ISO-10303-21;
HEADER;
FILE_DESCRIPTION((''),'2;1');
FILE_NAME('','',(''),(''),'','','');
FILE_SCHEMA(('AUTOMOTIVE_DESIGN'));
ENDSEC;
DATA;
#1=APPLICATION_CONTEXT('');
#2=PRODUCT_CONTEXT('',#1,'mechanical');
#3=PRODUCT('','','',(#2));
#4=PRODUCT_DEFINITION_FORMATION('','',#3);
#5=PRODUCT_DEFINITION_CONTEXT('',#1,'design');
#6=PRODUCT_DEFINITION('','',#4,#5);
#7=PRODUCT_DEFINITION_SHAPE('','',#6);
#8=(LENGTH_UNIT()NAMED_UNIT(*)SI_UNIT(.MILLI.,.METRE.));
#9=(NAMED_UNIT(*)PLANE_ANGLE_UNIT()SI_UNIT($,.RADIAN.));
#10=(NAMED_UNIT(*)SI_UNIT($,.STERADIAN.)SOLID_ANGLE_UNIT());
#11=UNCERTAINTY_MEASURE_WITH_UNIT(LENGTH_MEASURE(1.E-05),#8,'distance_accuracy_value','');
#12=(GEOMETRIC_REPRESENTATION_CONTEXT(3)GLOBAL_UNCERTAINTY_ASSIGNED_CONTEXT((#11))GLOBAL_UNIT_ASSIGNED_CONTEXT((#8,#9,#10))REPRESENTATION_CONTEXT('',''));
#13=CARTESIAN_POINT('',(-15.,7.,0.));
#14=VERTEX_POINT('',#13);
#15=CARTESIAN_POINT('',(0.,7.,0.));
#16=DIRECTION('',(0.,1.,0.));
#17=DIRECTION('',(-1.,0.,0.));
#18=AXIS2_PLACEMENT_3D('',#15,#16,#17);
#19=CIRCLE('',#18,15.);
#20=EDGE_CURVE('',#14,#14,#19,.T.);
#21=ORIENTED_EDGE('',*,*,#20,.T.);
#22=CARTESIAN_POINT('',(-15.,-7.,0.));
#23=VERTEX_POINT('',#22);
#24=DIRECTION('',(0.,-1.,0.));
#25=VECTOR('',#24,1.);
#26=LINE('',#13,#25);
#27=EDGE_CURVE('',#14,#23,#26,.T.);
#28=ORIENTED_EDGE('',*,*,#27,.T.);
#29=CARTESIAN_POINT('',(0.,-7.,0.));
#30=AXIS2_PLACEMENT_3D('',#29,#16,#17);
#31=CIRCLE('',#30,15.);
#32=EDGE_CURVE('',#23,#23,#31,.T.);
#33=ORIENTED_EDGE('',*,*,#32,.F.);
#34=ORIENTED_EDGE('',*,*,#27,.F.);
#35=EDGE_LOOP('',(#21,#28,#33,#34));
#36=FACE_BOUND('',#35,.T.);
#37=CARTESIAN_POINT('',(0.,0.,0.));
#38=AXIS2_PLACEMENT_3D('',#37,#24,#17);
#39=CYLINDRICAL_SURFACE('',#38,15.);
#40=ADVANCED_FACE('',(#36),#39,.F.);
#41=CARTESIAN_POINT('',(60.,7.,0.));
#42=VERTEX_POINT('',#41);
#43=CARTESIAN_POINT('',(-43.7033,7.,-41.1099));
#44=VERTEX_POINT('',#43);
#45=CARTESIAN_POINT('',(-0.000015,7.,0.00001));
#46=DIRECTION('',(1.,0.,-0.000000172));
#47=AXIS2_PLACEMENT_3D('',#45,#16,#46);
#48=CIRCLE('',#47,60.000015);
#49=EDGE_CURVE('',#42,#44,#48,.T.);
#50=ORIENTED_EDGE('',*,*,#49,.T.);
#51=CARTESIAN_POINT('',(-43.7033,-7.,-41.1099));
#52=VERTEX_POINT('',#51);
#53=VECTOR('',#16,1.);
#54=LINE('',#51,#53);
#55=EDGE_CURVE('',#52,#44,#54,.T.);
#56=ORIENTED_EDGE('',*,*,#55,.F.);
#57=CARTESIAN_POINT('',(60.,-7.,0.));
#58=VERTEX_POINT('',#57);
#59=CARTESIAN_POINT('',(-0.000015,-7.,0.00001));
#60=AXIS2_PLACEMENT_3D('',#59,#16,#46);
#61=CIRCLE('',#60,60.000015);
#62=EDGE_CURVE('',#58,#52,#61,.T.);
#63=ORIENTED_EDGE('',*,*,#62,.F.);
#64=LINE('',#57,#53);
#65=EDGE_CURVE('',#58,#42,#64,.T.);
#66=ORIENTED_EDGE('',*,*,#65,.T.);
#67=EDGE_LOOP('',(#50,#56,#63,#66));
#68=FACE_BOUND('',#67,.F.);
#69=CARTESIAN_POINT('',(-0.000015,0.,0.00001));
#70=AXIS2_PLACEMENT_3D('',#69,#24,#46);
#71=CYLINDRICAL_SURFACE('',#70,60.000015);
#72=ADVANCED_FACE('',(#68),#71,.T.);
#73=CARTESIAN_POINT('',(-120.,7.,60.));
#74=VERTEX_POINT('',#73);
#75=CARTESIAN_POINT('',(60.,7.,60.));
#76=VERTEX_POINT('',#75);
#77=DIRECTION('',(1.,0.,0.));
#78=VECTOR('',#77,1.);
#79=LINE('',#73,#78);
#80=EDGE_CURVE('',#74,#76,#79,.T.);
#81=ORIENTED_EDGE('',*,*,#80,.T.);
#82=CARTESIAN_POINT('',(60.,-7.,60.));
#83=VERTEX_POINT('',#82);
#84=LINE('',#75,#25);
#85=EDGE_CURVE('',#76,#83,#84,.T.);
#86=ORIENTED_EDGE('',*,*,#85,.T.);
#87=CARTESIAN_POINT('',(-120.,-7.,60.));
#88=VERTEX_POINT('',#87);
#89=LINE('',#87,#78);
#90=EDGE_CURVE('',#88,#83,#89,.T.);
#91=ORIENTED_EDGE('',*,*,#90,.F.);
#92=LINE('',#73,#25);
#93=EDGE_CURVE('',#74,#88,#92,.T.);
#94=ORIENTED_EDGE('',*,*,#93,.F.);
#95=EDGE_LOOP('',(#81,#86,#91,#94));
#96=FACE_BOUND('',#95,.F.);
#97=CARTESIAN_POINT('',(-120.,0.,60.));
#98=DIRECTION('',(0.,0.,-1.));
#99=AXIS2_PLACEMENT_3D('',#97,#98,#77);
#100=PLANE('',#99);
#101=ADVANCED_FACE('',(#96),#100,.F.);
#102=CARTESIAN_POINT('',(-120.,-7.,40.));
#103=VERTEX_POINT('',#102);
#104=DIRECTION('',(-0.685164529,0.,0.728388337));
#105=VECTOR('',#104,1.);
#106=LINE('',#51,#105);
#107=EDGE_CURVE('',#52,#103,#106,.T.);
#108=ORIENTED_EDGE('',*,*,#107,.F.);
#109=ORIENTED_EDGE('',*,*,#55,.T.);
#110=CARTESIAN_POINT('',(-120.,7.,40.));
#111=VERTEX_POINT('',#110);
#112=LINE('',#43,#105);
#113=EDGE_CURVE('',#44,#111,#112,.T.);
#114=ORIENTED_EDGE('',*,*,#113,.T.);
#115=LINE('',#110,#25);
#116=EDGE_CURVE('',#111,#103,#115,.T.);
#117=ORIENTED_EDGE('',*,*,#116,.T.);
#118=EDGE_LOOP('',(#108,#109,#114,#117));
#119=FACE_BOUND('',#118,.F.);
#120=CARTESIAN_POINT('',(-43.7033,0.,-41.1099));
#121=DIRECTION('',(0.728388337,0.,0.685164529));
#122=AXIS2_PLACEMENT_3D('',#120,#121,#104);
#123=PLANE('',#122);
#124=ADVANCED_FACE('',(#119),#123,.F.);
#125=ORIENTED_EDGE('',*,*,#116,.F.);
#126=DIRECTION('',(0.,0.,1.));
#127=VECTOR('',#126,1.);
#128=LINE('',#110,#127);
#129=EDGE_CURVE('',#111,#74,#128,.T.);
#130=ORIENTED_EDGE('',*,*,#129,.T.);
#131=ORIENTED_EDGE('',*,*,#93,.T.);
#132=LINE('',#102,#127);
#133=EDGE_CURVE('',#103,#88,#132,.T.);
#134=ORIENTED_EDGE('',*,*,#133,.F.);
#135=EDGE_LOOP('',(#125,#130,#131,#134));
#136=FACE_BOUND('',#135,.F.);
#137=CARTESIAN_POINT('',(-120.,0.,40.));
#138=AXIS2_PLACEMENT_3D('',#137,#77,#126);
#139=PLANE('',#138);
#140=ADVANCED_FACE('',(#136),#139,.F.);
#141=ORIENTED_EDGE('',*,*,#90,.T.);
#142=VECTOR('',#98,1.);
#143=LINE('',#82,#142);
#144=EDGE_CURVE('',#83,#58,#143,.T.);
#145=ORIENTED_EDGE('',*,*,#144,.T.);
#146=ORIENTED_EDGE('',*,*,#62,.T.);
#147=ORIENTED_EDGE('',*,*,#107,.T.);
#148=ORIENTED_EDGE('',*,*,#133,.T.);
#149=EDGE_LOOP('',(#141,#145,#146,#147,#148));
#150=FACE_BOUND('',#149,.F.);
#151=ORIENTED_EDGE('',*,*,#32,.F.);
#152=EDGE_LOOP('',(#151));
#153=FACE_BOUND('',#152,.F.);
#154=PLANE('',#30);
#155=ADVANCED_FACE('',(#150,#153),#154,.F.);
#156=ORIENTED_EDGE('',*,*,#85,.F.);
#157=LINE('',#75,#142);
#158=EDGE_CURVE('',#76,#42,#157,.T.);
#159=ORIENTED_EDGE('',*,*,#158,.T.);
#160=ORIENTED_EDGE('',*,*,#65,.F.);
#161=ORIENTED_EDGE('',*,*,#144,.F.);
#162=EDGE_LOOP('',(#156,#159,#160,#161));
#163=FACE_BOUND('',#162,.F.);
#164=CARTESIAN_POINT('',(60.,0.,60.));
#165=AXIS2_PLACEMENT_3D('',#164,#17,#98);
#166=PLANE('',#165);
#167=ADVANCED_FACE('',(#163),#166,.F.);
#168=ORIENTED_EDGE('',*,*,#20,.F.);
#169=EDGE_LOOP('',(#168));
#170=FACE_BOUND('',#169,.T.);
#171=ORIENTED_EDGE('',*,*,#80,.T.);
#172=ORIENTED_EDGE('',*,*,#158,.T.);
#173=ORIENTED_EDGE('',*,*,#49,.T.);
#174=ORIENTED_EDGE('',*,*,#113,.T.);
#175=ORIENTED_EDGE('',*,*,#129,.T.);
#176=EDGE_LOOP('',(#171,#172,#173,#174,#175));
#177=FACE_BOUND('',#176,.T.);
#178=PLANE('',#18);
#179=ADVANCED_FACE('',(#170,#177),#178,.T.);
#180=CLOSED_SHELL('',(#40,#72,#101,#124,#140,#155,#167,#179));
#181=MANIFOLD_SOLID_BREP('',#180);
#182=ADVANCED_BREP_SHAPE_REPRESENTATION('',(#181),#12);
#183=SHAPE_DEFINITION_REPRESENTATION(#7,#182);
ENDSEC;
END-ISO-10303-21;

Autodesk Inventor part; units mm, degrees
ref_plane "YZ Plane" through (0, 0, 0) normal (1, 0, 0) x (0, 1, 0)
ref_plane "XZ Plane" through (0, 0, 0) normal (0, 1, 0) x (-1, 0, 0)
ref_plane "XY Plane" through (0, 0, 0) normal (0, 0, 1) x (1, 0, 0)
sketch "Boceto2" plane through (0, 0, 0) normal (0, 1, 0) x (-1, 0, 0)
  circle A0 centre (0, 0) radius 15
  arc A1 (-60, 0) -> (43.7033, -41.1099) centre (0, 0) ccw
  line L0 (43.7033, -41.1099) -> (120, 40)
  line L1 (120, 40) -> (120, 60)
  line L2 (120, 60) -> (-60, 60)
  line L3 (-60, 60) -> (-60, 0)
  line L4 (0, 0) -> (43.7033, -41.1099) construction
  line L5 (0, 0) -> (-60, 0) construction
  dimension "d7" = 60
  dimension "d8" = 20
  dimension "d9" = 60
  dimension "d10" = 180
  dimension "d11" = 30
extrude "Placa2" add sketch "Boceto2" along normal mid plane 14
equation "\"d7\" = h_"
equation "\"d8\" = b"
equation "\"d9\" = r"
equation "\"d10\" = L"
equation "\"d11\" = hole"
equation "\"d12\" = Grosor"
equation "\"Grosor\" = epl"
equation "\"Radio_pliegue\" = Grosor"
equation "\"Anchura_desahogo_plegado\" = Grosor"
equation "\"Profundidad_desahogo_plegado\" = 0.5 * Grosor"
equation "\"Tamaño_destalonado\" = 4 * Grosor"
equation "\"Remanente_mínimo\" = 2 * Grosor"
equation "\"Radiodetransición\" = Radio_pliegue"
equation "\"Tamaño_de_radio_de_Jacobi\" = Radio_pliegue"
equation "\"TamañoSeparación\" = Grosor"
equation "\"L\" = 180"
equation "\"epl\" = 14"
equation "\"h_\" = 60"
equation "\"r\" = 60"
equation "\"hole\" = 30"
equation "\"hole_gr\" = 25.4"
equation "\"a\" = 7"
equation "\"b\" = 20"
equation "\"eb\" = 7"
equation "\"grillete\" = 0.875"
properties part number "CSM-EB-EPP-001-PL-001" material "Acero ASTM A36"
